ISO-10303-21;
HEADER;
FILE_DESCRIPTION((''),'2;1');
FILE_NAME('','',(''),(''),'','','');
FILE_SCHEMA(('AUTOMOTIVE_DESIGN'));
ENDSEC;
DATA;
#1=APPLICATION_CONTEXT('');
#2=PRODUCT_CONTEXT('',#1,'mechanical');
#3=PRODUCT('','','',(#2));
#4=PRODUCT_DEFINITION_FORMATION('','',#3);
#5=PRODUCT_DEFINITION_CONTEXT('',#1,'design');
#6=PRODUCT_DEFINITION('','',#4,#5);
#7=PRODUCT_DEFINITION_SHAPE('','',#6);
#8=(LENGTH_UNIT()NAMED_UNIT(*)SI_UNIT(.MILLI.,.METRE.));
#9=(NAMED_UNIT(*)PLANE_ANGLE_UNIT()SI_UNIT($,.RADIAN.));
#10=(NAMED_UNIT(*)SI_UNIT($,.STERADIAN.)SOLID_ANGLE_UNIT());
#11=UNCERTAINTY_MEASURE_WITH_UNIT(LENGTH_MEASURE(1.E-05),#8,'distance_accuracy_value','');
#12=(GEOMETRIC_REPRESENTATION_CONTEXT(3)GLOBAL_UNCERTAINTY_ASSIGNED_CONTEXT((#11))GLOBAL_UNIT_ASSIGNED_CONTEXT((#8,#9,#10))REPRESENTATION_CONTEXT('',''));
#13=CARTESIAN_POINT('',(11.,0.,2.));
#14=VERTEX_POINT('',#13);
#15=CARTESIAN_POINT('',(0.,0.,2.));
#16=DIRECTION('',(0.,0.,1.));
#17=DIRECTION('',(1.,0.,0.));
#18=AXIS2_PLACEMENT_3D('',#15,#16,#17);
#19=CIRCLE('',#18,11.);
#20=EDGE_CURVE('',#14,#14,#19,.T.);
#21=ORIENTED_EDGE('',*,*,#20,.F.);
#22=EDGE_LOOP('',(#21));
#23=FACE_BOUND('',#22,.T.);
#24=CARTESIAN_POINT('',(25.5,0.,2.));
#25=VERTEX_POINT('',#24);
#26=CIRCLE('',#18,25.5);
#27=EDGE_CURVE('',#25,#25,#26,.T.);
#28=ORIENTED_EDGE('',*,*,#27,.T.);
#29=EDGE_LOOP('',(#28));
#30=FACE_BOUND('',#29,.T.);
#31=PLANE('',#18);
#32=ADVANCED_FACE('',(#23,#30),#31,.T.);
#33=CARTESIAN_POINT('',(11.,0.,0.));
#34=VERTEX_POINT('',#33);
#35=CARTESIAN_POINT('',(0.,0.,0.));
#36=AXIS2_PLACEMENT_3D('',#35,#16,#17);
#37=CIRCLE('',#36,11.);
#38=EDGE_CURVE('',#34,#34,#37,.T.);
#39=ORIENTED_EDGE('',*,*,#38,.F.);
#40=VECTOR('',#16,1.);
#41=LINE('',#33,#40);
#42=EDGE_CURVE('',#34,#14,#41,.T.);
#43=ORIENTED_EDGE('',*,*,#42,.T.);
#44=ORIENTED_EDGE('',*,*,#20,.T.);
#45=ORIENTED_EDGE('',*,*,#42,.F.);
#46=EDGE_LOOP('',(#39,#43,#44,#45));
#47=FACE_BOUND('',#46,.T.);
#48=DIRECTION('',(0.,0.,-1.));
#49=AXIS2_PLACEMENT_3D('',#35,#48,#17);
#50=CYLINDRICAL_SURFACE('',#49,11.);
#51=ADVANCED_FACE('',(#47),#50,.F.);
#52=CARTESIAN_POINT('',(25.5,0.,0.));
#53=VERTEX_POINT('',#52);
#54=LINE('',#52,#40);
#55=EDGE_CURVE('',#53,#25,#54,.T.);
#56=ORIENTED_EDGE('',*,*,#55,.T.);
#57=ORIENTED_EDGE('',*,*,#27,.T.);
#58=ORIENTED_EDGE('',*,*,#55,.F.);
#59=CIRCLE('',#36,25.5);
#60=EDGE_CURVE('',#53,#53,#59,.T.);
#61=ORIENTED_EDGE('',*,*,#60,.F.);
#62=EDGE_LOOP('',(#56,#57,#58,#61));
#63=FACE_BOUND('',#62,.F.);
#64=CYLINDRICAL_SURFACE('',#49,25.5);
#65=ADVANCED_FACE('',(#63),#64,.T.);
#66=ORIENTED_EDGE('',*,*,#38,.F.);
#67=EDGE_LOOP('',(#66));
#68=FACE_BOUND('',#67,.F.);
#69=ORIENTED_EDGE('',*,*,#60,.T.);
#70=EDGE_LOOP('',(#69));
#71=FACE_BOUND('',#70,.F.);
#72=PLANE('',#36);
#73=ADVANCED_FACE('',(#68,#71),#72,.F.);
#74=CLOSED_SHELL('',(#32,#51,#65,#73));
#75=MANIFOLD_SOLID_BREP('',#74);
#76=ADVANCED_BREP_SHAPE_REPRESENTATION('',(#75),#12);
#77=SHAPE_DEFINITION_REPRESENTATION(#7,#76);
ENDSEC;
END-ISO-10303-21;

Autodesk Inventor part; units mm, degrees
ref_plane "YZ Plane" through (0, 0, 0) normal (1, 0, 0) x (0, 1, 0)
ref_plane "XZ Plane" through (0, 0, 0) normal (0, 1, 0) x (-1, 0, 0)
ref_plane "XY Plane" through (0, 0, 0) normal (0, 0, 1) x (1, 0, 0)
sketch "Sketch1" plane through (0, 0, 0) normal (0, 0, 1) x (1, 0, 0)
  circle A0 centre (0, 0) radius 11
  circle A1 centre (0, 0) radius 25.5
  dimension "d0" = 22
  dimension "d1" = 51
extrude "Extrusion1" add sketch "Sketch1" along normal blind 2
properties part number "podkładka"
